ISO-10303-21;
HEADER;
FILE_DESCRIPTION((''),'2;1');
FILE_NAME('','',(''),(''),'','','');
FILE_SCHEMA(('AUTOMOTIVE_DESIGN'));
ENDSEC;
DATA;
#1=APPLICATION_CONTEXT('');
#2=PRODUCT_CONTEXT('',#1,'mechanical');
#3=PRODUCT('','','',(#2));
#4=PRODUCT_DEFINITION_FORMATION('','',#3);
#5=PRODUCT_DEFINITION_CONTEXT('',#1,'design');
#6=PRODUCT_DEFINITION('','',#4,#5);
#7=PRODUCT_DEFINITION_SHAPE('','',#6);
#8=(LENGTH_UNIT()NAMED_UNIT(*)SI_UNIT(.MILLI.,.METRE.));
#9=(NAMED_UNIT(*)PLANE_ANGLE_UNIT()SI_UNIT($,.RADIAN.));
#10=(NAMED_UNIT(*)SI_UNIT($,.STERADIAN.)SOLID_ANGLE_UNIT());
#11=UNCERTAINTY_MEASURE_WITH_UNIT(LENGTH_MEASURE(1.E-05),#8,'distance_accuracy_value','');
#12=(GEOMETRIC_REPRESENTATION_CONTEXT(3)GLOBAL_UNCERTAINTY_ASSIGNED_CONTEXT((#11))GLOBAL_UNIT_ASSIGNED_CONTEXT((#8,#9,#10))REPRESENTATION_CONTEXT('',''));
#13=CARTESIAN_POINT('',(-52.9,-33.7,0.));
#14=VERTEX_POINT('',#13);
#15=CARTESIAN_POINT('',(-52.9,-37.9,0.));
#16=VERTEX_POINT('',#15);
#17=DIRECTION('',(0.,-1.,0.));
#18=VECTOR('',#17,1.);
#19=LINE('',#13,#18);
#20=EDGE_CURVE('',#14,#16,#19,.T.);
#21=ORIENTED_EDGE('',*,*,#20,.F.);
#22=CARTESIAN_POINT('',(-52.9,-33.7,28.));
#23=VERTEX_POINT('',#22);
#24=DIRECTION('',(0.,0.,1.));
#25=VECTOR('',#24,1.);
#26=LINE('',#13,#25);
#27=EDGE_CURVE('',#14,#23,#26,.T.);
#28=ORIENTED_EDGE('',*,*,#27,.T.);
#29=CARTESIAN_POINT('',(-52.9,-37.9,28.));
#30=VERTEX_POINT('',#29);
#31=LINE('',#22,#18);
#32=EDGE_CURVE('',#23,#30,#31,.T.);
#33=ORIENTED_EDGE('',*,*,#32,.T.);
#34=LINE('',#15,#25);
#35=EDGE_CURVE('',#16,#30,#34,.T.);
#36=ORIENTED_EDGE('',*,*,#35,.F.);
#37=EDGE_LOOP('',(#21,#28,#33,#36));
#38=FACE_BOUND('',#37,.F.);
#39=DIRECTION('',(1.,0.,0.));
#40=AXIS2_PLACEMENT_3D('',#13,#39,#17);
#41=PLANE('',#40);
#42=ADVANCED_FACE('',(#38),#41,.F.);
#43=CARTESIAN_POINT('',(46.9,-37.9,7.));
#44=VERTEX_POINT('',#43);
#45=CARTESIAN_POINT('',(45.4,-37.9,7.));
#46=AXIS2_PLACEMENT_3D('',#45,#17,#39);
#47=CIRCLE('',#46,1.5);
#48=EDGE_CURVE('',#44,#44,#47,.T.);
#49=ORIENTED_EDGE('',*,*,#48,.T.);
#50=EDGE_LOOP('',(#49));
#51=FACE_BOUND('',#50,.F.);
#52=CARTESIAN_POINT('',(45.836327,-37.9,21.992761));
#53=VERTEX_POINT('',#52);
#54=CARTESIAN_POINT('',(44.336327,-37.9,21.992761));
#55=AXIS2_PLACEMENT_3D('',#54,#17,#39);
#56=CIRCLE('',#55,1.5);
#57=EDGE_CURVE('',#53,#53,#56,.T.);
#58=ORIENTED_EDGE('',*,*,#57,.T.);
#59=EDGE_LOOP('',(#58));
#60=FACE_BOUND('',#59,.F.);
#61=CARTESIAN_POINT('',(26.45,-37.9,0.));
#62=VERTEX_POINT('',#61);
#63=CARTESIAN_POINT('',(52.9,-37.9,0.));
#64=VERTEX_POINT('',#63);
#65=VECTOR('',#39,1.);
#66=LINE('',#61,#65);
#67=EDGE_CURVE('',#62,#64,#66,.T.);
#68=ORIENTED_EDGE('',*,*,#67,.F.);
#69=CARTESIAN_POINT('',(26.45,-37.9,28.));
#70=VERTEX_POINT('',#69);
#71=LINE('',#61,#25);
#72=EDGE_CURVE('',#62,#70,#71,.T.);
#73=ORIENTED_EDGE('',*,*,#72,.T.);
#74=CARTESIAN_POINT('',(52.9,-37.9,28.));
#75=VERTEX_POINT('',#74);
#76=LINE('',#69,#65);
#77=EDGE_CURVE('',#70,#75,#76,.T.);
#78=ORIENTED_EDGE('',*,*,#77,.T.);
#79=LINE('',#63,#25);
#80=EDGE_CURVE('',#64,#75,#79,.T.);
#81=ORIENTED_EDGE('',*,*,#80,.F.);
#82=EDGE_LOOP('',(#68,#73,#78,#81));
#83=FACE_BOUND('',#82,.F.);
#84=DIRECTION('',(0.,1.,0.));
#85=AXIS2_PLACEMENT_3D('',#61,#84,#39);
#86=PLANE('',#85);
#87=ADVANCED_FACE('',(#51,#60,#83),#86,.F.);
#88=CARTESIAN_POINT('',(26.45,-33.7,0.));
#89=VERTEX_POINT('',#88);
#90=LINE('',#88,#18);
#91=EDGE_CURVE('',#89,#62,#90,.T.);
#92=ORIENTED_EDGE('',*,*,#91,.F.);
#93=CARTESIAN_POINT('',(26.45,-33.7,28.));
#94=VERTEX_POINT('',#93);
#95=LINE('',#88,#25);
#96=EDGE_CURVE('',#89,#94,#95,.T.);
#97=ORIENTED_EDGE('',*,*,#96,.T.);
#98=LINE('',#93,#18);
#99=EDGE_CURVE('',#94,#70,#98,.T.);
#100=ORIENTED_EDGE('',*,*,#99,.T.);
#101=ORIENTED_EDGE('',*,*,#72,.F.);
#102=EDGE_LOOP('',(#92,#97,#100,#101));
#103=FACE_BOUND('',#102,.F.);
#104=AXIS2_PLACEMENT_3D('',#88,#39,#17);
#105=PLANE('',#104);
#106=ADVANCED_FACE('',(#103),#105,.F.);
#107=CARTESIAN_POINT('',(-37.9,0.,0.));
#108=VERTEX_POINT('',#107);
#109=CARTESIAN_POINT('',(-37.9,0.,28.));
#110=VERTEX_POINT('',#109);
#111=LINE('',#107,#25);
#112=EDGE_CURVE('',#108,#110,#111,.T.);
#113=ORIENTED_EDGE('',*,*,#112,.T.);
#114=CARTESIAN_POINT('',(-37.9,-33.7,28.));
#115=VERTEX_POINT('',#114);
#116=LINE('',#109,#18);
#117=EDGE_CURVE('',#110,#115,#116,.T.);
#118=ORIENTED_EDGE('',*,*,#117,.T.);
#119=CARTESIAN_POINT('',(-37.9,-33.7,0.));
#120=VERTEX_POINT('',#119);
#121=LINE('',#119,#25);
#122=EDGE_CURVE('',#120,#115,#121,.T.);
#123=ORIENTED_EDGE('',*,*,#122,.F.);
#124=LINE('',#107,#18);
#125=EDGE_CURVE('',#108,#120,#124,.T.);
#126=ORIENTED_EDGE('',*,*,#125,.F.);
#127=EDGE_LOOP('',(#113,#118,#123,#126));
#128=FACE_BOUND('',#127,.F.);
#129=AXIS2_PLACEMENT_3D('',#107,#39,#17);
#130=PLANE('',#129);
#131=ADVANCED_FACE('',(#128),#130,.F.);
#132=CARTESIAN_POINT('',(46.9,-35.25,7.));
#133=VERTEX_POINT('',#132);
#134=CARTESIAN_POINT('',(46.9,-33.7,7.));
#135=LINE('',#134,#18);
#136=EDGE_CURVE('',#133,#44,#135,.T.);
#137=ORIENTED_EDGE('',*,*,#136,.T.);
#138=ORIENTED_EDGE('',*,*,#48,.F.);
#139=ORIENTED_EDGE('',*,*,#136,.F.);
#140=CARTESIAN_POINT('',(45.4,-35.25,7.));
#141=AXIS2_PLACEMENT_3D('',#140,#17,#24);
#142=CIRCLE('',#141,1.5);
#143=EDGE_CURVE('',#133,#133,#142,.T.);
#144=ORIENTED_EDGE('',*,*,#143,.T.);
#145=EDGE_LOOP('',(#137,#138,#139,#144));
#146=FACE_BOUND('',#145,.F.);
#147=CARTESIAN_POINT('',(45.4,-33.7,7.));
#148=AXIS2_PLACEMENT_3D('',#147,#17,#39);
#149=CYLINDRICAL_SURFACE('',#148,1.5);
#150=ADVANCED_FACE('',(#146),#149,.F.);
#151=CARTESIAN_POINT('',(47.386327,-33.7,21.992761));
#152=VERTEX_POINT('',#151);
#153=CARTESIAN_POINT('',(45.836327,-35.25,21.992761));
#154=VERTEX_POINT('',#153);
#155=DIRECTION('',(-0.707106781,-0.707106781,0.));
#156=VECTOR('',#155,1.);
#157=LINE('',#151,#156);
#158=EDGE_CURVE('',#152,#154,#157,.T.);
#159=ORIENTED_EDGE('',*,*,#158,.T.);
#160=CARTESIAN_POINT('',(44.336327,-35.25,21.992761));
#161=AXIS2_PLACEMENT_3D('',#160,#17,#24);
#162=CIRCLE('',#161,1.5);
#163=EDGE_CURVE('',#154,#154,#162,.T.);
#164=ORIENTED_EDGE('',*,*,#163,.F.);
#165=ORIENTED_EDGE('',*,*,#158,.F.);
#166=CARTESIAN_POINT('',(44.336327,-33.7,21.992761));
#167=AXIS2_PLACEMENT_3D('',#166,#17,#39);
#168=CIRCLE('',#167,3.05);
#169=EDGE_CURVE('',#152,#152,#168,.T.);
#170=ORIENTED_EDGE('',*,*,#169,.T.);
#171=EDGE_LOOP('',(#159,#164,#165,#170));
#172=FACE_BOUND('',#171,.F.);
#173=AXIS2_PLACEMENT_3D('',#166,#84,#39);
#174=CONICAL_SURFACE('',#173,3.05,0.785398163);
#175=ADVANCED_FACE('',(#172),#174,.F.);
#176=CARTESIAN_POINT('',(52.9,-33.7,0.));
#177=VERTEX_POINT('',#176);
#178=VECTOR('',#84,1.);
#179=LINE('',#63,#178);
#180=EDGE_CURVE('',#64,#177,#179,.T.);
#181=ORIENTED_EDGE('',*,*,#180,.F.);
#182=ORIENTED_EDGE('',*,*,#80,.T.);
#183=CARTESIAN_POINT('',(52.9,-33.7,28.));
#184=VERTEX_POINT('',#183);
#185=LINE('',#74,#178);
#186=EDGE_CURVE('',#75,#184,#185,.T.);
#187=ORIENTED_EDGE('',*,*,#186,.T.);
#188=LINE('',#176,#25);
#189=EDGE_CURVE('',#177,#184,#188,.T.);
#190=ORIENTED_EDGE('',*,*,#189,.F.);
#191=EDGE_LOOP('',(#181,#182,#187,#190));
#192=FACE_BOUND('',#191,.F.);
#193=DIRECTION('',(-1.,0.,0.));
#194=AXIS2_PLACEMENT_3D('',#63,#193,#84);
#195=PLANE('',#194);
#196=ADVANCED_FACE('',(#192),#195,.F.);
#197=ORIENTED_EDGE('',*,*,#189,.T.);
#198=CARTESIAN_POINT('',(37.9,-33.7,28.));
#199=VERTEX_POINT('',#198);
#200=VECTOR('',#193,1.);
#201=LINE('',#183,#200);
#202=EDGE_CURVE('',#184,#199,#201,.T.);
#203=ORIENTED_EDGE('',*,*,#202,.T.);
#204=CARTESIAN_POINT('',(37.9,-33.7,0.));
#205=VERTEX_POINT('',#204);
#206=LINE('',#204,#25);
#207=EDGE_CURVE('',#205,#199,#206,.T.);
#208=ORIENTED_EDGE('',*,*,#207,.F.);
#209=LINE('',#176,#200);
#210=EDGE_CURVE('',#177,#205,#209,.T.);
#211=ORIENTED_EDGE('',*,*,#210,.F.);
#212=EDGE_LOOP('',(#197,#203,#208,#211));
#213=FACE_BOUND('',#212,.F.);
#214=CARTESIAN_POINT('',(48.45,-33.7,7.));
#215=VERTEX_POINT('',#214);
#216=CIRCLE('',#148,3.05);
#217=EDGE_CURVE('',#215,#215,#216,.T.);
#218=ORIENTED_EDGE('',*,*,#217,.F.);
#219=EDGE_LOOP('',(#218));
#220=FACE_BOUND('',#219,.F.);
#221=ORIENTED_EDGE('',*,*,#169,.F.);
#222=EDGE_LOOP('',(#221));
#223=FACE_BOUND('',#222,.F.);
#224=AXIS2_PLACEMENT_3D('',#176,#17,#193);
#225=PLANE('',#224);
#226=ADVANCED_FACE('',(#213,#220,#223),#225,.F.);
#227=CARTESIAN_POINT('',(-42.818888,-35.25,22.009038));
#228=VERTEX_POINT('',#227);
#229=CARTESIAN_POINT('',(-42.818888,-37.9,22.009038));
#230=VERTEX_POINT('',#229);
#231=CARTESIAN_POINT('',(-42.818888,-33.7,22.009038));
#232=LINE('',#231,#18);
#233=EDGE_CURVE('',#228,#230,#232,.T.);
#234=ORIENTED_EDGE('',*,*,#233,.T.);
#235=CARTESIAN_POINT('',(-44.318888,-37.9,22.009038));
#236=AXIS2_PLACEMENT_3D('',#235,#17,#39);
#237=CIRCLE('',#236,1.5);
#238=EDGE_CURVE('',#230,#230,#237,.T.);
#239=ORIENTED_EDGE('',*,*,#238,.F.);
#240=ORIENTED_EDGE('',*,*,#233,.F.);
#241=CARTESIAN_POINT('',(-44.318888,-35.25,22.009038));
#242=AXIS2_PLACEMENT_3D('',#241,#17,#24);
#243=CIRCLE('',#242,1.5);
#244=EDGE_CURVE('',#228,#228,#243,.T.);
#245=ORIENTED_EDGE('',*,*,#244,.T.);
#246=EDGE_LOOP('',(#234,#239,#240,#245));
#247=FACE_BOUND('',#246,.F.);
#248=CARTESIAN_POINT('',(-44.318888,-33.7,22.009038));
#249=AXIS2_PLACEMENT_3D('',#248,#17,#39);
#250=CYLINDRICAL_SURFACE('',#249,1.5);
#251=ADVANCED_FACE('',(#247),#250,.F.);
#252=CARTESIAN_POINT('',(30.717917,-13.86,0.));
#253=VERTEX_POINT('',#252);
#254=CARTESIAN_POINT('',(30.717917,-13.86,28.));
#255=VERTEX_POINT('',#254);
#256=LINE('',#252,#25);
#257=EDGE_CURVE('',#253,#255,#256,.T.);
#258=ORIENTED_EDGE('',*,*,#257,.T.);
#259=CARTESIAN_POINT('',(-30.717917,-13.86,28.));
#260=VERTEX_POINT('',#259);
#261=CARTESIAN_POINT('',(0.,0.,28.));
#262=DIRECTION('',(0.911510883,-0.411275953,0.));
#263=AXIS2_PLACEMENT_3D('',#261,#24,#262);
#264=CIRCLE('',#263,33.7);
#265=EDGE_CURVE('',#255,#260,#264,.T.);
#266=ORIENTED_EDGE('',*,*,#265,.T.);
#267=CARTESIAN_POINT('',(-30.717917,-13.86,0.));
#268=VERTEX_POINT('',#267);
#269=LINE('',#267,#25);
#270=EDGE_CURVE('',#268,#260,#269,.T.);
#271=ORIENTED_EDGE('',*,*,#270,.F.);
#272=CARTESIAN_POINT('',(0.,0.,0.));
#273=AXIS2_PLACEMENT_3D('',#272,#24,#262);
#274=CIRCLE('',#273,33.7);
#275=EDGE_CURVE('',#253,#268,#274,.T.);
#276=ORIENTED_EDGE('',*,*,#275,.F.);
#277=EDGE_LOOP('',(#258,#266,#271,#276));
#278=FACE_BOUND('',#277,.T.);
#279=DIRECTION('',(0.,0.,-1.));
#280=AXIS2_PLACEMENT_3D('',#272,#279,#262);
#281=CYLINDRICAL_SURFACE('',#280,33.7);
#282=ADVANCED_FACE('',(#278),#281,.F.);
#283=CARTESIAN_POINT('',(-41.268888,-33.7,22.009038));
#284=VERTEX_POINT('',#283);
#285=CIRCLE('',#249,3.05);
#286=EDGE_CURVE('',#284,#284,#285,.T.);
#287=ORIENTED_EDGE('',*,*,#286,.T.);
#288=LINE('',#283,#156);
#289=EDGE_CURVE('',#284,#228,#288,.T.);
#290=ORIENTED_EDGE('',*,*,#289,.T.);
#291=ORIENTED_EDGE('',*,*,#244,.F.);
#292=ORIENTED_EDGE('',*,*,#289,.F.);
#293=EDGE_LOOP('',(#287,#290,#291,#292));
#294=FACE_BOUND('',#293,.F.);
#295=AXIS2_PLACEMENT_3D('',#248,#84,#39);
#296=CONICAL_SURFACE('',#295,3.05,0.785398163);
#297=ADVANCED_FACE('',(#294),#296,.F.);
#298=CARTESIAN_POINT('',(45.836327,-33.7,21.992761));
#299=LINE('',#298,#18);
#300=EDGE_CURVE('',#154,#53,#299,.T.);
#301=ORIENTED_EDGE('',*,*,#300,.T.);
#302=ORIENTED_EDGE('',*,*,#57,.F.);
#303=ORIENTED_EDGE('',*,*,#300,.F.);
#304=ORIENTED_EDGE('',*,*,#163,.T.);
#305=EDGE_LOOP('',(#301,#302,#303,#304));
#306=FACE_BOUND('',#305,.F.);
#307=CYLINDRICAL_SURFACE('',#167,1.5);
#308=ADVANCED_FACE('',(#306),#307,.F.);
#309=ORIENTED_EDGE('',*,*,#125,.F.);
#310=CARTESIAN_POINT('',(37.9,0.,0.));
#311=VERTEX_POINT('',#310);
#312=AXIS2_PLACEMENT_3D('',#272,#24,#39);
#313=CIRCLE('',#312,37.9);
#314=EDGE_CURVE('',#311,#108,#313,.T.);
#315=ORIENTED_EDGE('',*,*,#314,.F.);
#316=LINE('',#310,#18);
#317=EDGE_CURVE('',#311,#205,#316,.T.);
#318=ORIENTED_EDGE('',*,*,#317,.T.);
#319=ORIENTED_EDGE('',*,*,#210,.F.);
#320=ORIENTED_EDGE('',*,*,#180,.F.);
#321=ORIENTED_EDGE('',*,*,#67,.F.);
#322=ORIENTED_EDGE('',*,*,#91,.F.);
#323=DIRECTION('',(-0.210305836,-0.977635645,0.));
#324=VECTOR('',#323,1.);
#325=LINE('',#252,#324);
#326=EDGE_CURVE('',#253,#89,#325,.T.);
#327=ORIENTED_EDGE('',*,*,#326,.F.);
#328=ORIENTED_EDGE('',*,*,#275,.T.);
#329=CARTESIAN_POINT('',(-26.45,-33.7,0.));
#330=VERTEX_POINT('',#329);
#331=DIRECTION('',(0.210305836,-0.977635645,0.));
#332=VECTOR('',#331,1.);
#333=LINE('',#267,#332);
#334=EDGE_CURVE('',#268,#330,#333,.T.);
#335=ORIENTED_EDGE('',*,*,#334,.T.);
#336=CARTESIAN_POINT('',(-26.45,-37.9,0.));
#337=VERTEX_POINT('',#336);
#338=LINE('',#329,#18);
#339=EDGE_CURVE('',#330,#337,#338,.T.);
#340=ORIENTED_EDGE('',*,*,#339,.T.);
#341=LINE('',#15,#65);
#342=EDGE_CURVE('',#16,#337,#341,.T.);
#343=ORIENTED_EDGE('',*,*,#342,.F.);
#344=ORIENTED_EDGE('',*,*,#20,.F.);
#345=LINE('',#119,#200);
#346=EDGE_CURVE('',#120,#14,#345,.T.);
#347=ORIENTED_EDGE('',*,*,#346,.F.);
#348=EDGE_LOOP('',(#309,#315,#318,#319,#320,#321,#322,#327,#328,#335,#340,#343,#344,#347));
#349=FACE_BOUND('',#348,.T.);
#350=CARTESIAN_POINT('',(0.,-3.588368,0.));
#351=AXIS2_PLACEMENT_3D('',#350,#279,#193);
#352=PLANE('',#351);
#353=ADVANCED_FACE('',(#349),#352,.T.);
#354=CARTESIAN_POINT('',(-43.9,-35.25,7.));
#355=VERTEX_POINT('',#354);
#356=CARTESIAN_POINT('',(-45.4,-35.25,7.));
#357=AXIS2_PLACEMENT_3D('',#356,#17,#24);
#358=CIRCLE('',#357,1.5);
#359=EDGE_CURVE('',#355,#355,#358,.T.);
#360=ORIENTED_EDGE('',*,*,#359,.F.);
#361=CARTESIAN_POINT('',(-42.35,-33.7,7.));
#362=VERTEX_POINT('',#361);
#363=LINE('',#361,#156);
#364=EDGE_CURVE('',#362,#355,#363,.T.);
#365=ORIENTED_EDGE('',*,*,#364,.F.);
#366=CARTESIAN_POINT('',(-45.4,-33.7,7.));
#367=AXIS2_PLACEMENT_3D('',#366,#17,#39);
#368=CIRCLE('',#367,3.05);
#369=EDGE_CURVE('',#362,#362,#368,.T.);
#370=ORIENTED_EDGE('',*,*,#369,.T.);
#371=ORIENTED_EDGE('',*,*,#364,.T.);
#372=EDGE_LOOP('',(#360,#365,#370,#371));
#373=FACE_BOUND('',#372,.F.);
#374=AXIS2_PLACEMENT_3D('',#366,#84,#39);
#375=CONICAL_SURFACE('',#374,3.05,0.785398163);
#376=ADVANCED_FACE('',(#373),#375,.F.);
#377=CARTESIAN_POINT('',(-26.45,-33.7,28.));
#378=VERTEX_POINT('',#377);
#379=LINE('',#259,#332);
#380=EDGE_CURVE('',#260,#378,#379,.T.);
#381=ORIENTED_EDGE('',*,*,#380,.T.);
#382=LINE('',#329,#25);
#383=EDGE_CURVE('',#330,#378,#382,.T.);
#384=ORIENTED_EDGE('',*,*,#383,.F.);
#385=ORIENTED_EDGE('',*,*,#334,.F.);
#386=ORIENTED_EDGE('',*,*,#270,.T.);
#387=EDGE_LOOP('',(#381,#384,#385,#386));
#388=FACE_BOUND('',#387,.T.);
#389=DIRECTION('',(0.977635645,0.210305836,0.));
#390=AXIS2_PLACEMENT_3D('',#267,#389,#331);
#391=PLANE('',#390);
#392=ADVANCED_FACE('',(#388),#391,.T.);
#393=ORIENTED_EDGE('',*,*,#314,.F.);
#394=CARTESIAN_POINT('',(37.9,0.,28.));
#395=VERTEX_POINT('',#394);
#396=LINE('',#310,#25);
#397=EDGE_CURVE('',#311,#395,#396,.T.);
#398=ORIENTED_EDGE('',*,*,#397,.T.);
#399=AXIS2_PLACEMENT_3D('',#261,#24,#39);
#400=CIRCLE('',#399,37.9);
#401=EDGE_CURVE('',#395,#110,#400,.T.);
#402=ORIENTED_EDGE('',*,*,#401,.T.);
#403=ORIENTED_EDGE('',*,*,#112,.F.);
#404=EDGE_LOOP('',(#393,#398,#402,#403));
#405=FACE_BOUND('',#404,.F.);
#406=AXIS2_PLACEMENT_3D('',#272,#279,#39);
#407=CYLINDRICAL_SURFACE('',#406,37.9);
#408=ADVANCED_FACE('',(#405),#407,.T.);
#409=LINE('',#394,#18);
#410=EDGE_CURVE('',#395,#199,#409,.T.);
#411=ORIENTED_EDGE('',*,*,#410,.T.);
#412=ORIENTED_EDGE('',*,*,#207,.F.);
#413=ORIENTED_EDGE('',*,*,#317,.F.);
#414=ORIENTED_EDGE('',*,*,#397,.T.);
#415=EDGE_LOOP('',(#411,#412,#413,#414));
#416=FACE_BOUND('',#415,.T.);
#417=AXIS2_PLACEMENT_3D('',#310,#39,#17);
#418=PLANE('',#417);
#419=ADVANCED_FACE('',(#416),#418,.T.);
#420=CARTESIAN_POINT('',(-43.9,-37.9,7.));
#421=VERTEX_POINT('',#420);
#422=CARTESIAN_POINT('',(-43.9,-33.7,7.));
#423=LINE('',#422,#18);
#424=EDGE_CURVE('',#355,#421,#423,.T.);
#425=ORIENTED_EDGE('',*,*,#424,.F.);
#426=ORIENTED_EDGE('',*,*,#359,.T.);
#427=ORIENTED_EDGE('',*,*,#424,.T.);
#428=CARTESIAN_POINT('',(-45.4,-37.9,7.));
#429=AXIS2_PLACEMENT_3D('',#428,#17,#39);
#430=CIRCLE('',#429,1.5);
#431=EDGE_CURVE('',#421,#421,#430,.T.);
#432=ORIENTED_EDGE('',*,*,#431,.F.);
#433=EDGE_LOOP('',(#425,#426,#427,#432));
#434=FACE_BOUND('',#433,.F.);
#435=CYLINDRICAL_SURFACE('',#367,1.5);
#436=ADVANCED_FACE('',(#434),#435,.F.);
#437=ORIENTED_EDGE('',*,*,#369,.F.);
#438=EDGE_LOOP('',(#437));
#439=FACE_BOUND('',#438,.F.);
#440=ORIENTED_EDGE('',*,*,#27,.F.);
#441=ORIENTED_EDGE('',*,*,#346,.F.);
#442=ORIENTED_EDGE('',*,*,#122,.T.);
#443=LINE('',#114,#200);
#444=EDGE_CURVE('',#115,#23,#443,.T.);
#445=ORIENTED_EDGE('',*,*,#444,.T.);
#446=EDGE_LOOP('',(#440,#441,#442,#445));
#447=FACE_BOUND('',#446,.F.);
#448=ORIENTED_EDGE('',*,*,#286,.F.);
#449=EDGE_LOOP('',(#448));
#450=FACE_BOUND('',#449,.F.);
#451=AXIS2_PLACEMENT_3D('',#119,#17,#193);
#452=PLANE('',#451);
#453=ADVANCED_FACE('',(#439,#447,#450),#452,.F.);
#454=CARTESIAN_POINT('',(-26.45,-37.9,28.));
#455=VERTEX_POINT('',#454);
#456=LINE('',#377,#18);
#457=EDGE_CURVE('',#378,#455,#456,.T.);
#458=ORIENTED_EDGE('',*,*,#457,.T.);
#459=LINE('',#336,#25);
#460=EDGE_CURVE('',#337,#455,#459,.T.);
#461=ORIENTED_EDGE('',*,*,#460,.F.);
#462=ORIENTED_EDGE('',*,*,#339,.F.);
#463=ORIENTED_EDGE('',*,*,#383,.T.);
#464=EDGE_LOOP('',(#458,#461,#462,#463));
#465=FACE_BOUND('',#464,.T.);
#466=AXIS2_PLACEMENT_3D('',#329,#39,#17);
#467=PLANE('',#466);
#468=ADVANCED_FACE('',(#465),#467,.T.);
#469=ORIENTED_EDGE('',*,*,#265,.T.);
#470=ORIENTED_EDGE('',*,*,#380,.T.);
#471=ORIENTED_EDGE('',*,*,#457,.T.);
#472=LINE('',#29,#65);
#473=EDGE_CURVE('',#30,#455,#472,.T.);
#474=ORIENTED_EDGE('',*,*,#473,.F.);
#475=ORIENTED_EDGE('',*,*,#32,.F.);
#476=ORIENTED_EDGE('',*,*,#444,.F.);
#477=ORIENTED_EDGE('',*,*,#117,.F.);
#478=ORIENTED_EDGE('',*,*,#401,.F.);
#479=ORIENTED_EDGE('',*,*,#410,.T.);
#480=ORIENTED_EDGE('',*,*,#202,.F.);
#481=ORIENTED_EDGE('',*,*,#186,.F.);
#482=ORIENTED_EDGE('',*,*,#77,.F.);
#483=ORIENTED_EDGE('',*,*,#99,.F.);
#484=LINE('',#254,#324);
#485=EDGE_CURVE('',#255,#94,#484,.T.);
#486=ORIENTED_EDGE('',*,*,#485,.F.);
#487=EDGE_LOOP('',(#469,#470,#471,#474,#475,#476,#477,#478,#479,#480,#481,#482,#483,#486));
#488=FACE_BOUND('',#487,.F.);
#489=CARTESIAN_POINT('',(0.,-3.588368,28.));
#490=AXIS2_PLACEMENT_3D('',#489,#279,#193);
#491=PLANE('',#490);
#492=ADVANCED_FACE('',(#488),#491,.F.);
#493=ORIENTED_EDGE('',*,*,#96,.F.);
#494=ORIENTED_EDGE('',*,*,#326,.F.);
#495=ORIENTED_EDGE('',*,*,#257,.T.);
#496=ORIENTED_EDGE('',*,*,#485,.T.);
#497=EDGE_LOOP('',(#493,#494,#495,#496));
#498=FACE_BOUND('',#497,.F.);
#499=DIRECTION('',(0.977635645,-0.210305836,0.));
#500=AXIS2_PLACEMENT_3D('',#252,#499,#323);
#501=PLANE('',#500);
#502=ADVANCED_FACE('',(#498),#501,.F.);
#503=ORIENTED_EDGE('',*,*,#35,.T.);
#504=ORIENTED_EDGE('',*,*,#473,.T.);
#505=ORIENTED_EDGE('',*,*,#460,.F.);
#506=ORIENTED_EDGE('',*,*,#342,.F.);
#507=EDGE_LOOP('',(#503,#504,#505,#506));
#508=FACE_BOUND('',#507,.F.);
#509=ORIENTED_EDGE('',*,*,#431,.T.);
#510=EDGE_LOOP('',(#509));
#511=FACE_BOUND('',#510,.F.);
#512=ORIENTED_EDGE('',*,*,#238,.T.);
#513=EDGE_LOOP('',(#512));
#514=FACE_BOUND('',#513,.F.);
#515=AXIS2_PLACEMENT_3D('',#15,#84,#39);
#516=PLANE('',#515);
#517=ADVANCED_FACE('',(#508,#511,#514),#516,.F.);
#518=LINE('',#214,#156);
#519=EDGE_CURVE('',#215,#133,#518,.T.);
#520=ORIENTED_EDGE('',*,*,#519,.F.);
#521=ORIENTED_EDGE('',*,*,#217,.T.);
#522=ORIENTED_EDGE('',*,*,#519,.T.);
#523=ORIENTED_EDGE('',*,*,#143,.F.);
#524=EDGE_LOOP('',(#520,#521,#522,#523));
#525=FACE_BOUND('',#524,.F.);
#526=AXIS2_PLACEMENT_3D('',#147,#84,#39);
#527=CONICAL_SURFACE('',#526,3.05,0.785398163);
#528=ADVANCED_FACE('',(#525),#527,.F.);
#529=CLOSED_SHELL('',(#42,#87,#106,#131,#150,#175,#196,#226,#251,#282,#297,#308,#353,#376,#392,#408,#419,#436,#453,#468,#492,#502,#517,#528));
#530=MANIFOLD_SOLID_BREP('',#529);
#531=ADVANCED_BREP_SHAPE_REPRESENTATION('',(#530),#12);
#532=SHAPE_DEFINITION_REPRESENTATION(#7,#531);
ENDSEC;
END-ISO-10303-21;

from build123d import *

# Parameters (mm, degrees)
PAD_DEPTH        = 28
HOLE_D           = 3
HOLE_DEPTH       = 25
HOLE_CSINK_D     = 6.1
HOLE_CSINK_ANGLE = 90


with BuildPart() as part:
    # Sketch → Pad (new body)
    with BuildSketch(Plane.XY):
        with BuildLine():
            ThreePointArc((30.717917, -13.86), (0, 33.7), (-30.717917, -13.86))
            Line((-30.717917, -13.86), (-26.45, -33.7))
            Line((-26.45, -33.7), (-26.45, -37.9))
            Line((-52.9, -37.9), (-26.45, -37.9))
            Line((-52.9, -33.7), (-52.9, -37.9))
            Line((-37.9, -33.7), (-52.9, -33.7))
            Line((-37.9, 0), (-37.9, -33.7))
            ThreePointArc((37.9, 0), (0, 37.9), (-37.9, 0))
            Line((37.9, 0), (37.9, -33.7))
            Line((52.9, -33.7), (37.9, -33.7))
            Line((52.9, -37.9), (52.9, -33.7))
            Line((26.45, -37.9), (52.9, -37.9))
            Line((26.45, -33.7), (26.45, -37.9))
            Line((30.717917, -13.86), (26.45, -33.7))
        make_face()
    extrude(amount=PAD_DEPTH)

    # Hole
    with Locations(Plane(origin=(0, -33.7, 0), x_dir=(-1, 0, 0), z_dir=(0, 1, 0))):
        with Locations((45.4, 7), (-45.4, 7), (-44.336327, 21.992761), (44.318888, 22.009038)):
            CounterSinkHole(HOLE_D / 2, HOLE_CSINK_D / 2, depth=HOLE_DEPTH, counter_sink_angle=HOLE_CSINK_ANGLE)


solid = part.part
